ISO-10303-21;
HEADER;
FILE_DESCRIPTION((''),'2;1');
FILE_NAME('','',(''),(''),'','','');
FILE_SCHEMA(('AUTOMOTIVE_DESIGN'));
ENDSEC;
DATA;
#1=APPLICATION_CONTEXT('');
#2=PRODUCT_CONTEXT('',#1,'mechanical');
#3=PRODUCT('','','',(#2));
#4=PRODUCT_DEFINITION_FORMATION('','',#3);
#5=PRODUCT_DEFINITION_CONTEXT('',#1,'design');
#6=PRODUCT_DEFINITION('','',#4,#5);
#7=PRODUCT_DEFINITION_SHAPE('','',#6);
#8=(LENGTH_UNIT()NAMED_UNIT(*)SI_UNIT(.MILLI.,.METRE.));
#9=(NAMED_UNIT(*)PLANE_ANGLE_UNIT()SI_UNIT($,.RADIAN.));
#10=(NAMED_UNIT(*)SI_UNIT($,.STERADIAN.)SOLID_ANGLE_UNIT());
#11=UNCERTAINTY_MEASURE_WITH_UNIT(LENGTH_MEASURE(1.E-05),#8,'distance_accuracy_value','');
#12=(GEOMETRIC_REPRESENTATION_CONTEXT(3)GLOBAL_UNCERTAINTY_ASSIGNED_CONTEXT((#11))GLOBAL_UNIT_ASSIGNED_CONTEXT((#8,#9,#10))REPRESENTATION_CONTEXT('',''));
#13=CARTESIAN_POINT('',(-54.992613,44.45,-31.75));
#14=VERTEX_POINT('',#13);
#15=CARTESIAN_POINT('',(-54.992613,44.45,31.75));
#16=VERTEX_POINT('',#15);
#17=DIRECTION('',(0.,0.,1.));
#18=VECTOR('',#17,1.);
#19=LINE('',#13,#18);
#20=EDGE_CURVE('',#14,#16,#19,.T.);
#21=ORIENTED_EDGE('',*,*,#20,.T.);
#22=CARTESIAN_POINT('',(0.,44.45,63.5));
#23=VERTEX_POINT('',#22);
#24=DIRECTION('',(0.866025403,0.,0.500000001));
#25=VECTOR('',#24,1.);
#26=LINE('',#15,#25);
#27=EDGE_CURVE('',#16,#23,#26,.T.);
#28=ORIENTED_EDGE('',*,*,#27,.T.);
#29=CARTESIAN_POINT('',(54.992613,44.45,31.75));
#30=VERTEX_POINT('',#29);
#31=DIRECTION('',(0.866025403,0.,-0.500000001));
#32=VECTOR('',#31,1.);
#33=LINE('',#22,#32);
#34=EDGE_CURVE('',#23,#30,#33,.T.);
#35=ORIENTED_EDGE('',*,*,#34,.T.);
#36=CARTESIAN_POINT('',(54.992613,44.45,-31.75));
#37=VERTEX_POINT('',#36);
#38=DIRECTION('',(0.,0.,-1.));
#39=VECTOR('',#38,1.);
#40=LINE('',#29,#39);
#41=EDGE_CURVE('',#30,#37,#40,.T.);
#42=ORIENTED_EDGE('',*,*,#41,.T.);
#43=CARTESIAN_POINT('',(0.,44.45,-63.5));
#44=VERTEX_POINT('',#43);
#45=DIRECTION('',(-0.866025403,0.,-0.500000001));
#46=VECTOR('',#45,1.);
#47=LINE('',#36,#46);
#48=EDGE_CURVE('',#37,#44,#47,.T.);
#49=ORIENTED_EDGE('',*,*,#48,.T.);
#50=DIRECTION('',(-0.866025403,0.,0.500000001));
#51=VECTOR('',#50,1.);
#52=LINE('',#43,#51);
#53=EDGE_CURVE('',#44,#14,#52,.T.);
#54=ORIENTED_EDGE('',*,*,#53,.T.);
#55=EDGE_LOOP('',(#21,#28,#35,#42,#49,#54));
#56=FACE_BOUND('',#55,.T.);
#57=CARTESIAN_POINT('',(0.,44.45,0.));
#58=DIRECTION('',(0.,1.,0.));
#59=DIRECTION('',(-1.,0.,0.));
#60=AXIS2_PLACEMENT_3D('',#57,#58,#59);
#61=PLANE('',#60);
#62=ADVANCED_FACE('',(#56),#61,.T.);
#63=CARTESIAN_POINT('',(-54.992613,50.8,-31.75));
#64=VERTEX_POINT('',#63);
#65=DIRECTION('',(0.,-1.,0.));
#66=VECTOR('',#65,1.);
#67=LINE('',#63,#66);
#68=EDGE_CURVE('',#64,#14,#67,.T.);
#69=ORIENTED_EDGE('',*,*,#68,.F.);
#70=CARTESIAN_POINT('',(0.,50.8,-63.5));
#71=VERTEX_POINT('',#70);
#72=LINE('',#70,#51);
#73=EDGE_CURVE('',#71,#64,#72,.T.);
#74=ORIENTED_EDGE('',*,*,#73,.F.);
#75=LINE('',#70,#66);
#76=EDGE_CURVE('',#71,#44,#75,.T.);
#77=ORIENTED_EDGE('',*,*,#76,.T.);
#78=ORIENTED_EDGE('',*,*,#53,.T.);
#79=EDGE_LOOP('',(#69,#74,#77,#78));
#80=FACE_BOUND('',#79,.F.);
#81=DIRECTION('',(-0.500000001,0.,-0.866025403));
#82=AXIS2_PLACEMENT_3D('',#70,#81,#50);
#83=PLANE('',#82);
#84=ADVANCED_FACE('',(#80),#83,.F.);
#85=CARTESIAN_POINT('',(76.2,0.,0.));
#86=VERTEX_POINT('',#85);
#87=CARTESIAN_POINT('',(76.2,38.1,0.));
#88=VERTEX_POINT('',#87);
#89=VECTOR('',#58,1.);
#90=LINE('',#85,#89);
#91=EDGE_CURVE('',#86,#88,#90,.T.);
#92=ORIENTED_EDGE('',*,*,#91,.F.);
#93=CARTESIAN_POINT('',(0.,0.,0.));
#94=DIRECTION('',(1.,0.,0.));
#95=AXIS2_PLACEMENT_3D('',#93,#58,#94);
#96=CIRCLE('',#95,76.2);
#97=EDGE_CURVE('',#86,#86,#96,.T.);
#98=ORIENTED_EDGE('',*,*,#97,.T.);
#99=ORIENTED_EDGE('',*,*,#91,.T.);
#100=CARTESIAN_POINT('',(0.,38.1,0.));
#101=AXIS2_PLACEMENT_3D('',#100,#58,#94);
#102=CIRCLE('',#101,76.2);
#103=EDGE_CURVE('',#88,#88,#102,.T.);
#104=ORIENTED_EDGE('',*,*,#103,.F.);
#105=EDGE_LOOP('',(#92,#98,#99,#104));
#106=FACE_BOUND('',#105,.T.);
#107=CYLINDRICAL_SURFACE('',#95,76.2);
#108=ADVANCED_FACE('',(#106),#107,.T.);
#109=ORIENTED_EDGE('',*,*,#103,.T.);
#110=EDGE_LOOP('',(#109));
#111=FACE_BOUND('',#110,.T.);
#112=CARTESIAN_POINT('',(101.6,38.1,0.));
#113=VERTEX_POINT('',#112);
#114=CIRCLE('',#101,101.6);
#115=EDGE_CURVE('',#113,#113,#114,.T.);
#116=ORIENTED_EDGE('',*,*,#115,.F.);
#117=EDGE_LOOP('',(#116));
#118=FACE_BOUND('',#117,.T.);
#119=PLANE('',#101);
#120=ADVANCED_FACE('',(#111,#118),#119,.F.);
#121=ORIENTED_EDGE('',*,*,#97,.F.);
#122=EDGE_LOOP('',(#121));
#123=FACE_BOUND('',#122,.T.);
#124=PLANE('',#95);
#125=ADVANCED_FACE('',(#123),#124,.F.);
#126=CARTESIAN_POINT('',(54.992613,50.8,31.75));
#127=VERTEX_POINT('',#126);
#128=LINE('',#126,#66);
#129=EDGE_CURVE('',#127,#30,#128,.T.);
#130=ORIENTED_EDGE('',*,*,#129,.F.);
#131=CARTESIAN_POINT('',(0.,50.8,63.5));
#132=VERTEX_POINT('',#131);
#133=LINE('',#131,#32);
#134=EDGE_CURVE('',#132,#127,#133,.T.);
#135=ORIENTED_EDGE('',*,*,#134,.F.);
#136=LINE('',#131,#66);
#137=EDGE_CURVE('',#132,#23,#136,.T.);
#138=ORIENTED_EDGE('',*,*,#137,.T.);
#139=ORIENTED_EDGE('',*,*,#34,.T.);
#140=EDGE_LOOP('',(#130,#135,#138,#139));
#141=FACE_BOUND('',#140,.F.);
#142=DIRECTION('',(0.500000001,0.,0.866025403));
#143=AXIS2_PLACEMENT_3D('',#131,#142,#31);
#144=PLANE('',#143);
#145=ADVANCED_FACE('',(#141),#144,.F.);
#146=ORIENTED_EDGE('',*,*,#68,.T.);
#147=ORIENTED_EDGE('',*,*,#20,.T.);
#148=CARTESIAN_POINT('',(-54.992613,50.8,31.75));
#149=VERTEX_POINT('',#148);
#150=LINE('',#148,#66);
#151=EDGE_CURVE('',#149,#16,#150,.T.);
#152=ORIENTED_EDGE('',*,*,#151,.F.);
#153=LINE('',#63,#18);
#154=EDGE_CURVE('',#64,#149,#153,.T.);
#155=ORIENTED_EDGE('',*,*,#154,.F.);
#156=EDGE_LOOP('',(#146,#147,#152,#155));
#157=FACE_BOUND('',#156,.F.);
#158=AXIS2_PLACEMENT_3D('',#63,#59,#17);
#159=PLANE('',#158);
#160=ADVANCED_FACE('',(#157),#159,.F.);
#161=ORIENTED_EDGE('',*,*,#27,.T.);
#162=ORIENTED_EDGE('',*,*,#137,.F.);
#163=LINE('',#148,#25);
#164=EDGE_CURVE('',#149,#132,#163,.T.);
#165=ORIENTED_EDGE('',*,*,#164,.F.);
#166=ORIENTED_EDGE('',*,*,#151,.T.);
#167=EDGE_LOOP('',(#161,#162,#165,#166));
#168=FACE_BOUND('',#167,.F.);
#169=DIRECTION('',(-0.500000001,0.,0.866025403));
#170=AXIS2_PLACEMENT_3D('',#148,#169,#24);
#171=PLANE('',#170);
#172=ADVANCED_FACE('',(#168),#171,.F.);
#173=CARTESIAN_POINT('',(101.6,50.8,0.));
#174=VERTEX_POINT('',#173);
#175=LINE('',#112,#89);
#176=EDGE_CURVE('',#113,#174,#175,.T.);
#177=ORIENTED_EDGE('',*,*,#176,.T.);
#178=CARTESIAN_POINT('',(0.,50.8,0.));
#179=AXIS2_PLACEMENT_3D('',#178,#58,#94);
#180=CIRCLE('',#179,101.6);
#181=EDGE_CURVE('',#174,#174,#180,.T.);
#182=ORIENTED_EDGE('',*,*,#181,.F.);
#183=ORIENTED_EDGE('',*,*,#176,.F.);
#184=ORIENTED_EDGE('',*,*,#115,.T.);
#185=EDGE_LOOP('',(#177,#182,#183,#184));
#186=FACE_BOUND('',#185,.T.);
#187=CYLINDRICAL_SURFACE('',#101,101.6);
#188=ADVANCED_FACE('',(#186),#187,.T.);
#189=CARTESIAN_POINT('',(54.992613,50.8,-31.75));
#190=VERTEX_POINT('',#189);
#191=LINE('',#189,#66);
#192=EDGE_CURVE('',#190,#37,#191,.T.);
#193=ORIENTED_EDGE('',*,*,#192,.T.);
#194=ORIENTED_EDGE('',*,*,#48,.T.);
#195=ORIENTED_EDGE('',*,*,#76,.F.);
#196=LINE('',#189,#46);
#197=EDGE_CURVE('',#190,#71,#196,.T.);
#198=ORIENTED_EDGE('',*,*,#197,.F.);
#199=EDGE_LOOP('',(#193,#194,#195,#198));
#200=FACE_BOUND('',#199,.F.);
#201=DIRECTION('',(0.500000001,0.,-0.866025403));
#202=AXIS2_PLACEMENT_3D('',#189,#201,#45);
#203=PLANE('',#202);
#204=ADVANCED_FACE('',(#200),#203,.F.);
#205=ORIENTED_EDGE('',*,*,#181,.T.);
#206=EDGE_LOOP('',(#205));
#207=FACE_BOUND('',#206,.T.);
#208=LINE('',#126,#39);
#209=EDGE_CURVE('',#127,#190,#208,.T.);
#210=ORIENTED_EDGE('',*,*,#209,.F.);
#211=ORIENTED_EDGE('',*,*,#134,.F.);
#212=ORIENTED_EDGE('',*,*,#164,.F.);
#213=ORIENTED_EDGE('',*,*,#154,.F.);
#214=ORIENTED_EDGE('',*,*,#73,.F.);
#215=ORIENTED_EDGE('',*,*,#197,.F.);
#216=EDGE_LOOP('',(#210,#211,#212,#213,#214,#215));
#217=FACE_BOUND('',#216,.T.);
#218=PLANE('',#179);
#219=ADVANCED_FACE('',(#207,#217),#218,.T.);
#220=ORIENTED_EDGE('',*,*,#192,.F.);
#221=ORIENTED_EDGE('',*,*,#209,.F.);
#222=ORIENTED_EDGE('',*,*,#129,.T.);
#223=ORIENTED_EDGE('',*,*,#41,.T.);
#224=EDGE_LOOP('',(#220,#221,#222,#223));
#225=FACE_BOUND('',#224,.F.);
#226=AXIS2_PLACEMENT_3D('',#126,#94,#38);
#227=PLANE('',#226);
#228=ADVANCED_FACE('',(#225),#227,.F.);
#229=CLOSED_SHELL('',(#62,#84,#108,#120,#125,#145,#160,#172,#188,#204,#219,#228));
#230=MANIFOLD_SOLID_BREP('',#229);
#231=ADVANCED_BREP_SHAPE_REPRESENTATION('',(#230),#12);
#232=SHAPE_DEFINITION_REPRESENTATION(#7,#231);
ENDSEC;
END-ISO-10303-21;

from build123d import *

# Parameters (mm, degrees)
F3_DEPTH = 6.35


with BuildPart() as f1:
    # F0 (on Top) → F1 (revolve)
    with BuildSketch(Plane.XY):
        Polygon((0, 50.8), (0, 0), (76.2, 0), (76.2, 38.1), (101.6, 38.1), (101.6, 50.8), align=None)
    revolve(axis=Axis((0, 25.4, 0), (0, 1, 0)))

    # F2 (on face) → F3 (cut)
    with BuildSketch(Plane(origin=(0, 50.8, 0), x_dir=(-1, 0, 0), z_dir=(0, 1, 0))):
        Polygon((0, -63.5), (54.992613, -31.75), (54.992613, 31.75), (0, 63.5), (-54.992613, 31.75), (-54.992613, -31.75), align=None)
    extrude(amount=-F3_DEPTH, mode=Mode.SUBTRACT)


solid = f1.part
